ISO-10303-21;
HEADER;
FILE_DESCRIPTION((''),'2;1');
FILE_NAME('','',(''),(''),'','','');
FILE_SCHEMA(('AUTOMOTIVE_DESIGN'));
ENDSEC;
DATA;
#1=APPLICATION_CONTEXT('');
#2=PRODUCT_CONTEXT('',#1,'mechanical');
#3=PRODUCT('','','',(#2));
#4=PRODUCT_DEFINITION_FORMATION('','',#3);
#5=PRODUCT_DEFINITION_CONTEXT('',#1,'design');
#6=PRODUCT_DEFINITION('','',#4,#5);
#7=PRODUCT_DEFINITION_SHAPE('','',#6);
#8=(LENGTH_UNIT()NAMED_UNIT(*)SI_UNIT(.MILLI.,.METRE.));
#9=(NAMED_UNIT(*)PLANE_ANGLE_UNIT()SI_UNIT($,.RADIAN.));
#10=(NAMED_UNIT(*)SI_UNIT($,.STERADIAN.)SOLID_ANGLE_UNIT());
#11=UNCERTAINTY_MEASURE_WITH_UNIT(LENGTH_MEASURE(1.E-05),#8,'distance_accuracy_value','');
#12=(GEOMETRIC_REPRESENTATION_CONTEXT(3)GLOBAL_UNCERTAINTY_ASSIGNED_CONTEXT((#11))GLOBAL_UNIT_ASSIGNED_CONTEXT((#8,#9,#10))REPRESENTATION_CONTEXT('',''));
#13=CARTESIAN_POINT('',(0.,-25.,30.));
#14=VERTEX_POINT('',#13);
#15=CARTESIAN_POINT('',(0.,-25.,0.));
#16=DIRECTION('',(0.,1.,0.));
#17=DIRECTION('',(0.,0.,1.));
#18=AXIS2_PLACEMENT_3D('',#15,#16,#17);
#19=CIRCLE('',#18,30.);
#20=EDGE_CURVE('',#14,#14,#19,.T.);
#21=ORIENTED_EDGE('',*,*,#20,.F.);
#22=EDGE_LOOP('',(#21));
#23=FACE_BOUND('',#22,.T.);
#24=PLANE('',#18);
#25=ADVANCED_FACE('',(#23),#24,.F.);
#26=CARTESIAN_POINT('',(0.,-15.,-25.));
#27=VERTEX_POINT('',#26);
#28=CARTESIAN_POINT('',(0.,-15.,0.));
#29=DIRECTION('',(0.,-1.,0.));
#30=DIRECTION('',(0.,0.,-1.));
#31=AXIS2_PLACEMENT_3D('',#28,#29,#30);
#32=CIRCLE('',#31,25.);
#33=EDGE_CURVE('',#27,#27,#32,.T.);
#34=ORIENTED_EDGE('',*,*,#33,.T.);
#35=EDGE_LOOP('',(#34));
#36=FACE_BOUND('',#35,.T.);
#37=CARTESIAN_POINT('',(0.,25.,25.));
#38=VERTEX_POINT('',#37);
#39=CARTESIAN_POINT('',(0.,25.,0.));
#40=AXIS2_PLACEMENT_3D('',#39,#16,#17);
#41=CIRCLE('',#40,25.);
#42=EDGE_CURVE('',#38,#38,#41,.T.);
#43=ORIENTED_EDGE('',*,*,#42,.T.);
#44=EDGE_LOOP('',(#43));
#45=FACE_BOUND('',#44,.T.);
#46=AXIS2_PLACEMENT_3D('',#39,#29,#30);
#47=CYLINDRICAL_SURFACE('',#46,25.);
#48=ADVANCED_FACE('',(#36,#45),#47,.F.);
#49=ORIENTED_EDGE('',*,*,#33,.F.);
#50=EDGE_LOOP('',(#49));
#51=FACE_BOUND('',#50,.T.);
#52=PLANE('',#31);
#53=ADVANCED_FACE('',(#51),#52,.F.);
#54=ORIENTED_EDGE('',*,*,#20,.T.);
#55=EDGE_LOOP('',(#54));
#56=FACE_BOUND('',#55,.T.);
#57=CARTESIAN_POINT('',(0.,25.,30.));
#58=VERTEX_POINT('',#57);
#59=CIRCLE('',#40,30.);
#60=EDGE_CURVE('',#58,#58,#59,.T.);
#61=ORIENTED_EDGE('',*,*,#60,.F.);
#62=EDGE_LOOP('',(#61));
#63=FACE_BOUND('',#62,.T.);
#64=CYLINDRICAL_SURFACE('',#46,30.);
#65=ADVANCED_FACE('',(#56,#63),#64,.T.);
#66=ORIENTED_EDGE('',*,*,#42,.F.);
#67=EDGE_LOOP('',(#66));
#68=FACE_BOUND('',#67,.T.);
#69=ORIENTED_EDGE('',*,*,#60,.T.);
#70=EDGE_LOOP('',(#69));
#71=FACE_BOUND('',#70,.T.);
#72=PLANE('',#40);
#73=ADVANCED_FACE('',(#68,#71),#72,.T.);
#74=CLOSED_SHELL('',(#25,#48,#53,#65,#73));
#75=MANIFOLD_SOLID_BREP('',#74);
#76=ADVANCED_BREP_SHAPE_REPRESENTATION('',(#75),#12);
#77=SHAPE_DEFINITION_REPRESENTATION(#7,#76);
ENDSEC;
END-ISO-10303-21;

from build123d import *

# Parameters (mm, degrees)
SKETCH1_R           = 30
SKETCH1_R_2         = 25
BOSS_EXTRUDE1_DEPTH = 25
SKETCH3_R           = 25
BOSS_EXTRUDE2_DEPTH = 10


with BuildPart() as part:
    # Sketch1 → Boss-Extrude1 (new, symmetric)
    with BuildSketch(Plane(origin=(0, 0, 0), x_dir=(1, 0, 0), z_dir=(0, 1, 0))):
        with Locations(Location((0, 0, 0), (0, 0, 270))):
            Circle(SKETCH1_R)
        with Locations(Location((0, 0, 0), (0, 0, 270))):
            Circle(SKETCH1_R_2, mode=Mode.SUBTRACT)
    extrude(amount=BOSS_EXTRUDE1_DEPTH, both=True)

    # Sketch3 → Boss-Extrude2 (add)
    with BuildSketch(Plane.XZ.offset(25)):
        with Locations(Location((0, 0, 0), (0, 0, 270))):
            Circle(SKETCH3_R)
    extrude(amount=-BOSS_EXTRUDE2_DEPTH)


solid = part.part
